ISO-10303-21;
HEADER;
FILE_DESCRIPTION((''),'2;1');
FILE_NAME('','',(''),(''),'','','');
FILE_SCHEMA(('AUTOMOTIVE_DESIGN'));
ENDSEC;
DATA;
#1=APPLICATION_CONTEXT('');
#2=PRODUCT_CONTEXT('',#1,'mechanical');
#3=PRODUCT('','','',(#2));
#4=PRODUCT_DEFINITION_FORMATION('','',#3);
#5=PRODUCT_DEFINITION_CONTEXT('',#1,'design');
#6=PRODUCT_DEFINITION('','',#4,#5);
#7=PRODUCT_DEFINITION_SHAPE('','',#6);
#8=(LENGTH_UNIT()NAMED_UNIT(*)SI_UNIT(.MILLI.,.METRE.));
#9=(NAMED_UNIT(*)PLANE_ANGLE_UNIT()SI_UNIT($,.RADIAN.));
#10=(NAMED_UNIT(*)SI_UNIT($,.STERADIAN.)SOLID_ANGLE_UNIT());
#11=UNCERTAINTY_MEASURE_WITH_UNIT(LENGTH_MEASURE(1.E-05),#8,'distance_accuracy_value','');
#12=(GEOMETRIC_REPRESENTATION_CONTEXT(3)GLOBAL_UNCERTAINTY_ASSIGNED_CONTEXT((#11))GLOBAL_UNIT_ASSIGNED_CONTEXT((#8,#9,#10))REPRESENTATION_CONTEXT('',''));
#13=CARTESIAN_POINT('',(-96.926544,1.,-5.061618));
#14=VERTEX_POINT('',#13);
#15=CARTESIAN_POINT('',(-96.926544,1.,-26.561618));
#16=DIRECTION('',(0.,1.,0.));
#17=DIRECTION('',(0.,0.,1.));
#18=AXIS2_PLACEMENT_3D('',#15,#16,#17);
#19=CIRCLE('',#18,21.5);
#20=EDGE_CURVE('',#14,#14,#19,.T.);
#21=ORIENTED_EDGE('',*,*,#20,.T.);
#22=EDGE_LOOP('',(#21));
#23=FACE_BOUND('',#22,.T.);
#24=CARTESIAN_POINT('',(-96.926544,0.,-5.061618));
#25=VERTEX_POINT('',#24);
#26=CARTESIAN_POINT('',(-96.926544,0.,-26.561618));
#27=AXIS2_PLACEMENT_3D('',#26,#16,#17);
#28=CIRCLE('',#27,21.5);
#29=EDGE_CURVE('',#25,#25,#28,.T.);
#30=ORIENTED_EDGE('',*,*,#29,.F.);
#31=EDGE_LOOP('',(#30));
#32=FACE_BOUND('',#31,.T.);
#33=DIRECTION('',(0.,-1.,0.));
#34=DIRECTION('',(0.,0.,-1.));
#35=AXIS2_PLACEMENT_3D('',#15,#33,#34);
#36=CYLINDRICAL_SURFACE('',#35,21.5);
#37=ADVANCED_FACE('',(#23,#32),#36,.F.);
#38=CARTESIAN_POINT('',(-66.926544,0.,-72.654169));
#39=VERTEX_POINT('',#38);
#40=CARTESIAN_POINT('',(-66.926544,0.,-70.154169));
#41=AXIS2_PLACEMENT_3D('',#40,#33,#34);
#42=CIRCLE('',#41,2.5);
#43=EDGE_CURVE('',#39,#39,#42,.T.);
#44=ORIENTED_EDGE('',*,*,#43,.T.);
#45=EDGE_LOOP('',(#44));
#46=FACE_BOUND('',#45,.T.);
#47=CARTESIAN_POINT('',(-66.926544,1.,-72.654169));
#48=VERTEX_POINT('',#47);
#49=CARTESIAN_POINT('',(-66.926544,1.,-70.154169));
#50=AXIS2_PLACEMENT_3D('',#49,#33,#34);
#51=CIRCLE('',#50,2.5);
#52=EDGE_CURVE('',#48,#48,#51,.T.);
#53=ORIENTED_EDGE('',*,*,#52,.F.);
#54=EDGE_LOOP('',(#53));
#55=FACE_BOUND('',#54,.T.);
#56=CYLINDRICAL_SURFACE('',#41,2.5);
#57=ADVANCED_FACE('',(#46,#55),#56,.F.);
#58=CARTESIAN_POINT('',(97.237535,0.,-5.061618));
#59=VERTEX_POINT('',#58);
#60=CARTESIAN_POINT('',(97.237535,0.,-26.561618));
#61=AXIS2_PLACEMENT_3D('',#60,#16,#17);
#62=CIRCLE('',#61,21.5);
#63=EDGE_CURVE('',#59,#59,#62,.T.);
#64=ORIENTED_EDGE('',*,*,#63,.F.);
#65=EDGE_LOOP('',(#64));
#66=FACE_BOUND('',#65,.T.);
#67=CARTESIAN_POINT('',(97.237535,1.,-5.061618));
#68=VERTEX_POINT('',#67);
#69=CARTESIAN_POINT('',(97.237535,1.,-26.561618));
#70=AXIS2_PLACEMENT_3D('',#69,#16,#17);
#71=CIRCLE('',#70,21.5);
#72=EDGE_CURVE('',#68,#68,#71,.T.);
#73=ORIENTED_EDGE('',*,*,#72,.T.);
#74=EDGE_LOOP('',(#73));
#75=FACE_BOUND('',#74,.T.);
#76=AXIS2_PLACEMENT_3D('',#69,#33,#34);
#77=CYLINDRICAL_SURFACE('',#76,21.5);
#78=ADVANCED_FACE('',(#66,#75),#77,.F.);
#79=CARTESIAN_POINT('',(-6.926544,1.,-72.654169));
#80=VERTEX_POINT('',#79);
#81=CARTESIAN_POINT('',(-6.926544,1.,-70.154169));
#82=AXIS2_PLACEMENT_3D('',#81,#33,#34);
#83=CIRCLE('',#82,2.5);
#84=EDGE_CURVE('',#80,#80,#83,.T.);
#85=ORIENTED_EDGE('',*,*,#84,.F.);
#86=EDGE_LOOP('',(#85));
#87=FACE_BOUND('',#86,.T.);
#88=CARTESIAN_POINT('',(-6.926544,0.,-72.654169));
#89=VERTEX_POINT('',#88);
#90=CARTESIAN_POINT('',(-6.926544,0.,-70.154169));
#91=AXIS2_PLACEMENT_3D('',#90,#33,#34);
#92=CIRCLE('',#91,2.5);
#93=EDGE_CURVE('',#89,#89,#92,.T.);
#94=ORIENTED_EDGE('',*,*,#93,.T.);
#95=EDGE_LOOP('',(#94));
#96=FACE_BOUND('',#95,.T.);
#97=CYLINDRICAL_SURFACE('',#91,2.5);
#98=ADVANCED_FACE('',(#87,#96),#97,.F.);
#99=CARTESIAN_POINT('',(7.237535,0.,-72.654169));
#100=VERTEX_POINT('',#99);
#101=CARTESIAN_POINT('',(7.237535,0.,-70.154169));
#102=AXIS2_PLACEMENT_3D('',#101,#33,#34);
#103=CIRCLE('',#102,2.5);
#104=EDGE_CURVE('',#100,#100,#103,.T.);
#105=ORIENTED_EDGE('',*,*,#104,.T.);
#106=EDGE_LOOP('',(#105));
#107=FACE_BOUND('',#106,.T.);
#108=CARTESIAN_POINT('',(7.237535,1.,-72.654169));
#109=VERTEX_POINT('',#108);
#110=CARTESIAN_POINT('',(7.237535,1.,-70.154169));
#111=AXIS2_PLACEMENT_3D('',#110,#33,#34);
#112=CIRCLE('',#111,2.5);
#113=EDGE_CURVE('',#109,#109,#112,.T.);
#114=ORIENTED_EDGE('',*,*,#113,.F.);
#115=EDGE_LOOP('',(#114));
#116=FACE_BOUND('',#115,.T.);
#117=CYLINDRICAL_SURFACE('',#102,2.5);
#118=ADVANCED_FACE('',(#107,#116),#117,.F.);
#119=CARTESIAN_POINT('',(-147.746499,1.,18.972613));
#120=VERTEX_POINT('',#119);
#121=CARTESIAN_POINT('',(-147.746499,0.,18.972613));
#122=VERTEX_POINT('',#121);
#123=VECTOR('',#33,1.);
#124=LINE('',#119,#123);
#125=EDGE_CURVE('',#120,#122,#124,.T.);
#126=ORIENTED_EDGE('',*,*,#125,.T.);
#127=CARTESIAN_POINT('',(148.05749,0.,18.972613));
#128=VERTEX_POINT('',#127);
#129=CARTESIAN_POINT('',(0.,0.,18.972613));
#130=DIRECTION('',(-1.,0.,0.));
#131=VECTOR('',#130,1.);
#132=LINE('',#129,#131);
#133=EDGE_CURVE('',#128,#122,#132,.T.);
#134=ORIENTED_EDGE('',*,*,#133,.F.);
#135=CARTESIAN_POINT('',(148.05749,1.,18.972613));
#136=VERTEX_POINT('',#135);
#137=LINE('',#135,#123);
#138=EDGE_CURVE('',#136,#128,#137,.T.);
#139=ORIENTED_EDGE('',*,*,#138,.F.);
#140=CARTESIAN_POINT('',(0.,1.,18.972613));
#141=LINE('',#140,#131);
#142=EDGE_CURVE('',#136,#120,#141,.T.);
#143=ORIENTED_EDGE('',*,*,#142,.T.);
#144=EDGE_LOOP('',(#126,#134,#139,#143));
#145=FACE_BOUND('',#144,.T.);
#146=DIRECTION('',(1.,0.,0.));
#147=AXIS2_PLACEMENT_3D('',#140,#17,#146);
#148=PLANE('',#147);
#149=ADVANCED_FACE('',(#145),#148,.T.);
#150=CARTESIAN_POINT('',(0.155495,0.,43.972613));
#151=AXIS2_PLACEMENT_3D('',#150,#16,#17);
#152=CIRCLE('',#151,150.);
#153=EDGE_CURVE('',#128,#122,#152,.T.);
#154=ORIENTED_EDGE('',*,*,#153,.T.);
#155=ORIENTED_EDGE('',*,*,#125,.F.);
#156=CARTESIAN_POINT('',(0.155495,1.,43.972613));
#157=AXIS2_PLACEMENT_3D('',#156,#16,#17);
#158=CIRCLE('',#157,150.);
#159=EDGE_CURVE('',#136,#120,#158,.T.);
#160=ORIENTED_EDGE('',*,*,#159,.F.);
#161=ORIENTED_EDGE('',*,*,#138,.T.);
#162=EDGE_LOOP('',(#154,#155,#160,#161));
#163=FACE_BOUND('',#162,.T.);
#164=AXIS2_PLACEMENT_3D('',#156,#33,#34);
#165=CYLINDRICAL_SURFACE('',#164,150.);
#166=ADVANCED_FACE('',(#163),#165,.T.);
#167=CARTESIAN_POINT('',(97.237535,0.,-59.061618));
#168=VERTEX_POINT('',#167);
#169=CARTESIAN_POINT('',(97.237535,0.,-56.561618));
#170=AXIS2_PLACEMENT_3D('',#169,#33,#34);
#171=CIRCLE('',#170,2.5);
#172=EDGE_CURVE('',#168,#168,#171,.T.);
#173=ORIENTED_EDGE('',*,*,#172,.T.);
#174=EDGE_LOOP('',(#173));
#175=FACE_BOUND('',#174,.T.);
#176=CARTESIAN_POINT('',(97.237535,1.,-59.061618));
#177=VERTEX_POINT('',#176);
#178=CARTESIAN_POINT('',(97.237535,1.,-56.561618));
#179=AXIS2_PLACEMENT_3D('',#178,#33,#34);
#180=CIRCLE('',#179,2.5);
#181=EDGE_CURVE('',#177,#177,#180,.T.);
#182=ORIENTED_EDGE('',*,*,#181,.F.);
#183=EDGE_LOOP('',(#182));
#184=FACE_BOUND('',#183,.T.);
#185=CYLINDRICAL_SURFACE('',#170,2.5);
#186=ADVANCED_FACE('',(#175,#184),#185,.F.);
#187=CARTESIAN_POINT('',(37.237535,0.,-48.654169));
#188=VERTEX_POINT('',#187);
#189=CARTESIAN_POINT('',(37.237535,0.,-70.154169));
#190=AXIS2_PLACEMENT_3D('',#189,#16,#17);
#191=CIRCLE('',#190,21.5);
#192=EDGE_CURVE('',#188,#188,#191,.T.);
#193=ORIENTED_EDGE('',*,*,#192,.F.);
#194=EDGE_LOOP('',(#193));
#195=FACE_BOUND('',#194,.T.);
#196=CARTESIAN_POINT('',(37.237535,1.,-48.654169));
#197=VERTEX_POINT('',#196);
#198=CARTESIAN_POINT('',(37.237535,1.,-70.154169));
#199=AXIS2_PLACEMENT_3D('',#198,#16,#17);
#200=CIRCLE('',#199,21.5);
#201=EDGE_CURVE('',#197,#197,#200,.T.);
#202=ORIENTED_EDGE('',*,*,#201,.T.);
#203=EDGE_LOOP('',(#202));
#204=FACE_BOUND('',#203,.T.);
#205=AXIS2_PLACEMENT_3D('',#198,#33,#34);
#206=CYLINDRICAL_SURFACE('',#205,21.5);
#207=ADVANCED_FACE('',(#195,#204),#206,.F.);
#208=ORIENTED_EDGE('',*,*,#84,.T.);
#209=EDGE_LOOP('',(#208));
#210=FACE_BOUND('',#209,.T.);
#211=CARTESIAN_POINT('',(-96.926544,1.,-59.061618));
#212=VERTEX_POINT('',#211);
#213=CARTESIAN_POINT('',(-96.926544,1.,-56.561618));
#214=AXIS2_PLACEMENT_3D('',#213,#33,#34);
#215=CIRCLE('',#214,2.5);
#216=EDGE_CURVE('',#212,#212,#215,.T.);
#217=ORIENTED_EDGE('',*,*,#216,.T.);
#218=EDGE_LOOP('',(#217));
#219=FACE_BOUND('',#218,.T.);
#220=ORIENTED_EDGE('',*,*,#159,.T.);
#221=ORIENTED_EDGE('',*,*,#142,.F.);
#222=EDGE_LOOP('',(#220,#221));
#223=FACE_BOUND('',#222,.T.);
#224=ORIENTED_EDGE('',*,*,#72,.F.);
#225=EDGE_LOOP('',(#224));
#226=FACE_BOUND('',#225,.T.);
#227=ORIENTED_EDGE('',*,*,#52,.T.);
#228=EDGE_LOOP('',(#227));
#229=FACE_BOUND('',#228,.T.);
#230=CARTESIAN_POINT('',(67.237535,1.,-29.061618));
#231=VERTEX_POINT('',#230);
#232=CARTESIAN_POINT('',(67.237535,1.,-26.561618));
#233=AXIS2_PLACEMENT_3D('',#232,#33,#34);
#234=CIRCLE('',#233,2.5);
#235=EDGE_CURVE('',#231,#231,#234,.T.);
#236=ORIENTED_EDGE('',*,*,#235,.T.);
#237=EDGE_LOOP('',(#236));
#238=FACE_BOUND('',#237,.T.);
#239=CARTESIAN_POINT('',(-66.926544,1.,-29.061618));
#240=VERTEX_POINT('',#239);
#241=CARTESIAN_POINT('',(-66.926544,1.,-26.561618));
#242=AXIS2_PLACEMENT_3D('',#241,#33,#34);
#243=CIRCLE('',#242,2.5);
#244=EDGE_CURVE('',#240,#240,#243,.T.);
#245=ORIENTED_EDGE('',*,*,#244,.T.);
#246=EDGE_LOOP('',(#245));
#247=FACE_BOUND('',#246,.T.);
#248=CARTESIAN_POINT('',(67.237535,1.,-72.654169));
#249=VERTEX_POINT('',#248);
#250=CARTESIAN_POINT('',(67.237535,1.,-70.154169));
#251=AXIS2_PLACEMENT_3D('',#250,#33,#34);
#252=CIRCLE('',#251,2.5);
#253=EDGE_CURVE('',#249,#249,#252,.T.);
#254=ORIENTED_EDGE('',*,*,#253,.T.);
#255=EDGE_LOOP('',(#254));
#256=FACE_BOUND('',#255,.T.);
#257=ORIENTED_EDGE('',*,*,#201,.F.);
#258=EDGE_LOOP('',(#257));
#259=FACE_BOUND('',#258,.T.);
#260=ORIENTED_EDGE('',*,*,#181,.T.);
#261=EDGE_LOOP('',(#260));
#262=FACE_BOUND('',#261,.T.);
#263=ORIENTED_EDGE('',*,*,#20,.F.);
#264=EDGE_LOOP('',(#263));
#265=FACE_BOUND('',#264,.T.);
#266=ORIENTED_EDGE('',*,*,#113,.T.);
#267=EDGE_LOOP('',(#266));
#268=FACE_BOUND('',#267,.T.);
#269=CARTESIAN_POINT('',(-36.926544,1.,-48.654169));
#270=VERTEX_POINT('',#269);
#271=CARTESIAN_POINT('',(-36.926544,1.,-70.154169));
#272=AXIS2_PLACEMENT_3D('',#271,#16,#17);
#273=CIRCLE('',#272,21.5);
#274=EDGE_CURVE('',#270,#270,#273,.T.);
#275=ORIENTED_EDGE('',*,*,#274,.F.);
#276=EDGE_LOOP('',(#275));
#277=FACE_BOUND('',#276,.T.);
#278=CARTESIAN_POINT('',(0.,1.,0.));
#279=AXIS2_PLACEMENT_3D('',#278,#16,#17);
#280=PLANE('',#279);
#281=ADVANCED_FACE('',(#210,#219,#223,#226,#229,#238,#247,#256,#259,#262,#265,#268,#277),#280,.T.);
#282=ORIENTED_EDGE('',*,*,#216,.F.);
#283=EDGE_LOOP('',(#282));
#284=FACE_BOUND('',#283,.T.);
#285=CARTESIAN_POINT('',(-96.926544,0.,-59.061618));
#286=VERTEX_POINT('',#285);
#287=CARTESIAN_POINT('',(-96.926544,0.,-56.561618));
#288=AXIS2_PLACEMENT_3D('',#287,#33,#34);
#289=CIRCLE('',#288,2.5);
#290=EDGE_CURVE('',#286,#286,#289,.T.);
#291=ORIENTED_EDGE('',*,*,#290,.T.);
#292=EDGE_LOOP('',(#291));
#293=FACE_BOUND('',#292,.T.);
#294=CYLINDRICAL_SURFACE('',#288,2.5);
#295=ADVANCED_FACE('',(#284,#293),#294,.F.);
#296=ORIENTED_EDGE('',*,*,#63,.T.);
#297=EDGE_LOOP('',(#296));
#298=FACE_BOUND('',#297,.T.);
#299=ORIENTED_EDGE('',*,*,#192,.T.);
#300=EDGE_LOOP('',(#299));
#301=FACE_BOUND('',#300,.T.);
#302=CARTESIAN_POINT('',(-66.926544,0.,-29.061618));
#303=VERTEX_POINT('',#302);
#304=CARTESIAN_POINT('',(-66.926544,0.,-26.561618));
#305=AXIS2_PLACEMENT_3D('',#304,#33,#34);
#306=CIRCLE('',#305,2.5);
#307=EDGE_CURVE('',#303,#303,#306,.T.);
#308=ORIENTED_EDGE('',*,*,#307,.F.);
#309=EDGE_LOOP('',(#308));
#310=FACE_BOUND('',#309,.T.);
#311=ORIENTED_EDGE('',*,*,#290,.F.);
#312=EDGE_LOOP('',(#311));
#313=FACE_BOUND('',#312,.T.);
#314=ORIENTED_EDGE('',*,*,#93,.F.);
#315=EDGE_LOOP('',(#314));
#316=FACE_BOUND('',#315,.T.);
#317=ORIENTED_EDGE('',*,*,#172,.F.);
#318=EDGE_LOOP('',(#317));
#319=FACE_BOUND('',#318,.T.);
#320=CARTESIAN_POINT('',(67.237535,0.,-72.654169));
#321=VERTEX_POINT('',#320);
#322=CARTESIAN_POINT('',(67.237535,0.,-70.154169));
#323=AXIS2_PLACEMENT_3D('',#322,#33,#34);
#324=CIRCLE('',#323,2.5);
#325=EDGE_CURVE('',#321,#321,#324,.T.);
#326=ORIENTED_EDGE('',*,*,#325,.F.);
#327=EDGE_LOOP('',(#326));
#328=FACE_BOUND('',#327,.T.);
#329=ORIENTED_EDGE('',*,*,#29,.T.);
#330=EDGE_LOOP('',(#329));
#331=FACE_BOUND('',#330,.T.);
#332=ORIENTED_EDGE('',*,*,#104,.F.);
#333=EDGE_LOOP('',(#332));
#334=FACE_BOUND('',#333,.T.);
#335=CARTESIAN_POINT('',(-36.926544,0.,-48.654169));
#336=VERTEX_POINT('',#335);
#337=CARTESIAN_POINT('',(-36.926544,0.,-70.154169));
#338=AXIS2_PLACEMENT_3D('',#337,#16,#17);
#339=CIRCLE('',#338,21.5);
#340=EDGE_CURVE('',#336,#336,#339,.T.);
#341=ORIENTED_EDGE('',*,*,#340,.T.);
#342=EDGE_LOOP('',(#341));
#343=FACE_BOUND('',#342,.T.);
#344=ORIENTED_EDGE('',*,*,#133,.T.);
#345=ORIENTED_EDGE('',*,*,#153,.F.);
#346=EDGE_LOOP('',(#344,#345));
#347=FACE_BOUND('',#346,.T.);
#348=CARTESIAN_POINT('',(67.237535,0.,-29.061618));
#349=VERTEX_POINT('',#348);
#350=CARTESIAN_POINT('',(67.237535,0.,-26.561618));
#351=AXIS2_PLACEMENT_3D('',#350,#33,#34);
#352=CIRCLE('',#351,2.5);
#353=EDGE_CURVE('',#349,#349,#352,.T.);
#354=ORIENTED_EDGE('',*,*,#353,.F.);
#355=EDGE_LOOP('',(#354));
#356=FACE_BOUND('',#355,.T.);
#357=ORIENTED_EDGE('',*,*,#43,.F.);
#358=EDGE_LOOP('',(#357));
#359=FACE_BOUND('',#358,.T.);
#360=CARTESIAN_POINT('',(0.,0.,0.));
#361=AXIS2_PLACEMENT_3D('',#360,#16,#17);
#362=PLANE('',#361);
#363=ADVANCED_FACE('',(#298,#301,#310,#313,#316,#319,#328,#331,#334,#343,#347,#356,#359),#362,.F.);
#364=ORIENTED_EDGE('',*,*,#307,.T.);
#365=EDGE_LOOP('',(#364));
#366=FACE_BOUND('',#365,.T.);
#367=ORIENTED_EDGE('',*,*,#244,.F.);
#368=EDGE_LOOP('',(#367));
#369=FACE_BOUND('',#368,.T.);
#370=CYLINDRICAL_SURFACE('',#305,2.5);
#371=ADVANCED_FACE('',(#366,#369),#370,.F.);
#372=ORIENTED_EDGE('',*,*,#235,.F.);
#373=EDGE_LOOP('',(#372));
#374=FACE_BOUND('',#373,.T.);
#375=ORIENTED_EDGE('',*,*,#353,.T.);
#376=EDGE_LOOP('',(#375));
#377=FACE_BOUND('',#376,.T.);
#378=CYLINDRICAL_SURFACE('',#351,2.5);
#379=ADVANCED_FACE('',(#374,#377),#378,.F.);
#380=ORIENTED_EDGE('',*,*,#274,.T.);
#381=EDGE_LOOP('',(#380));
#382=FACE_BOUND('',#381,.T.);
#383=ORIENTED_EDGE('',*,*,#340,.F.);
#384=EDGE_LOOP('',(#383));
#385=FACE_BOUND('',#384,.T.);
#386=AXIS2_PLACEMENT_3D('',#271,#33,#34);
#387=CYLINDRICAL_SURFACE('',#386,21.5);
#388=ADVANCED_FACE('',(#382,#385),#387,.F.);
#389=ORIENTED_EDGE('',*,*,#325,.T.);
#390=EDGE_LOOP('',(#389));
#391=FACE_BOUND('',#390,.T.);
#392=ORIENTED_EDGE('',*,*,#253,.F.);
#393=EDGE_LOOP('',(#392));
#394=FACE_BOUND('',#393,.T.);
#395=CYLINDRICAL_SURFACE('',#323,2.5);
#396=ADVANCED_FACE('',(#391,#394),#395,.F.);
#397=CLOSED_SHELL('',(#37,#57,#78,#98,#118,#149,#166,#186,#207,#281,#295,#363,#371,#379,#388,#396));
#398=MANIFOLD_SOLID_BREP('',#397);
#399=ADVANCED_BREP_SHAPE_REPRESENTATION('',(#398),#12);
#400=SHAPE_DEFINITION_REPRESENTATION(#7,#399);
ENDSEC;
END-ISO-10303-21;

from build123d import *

# Parameters (mm, degrees)
SKETCH3_R             = 21.5
BOSS_EXTRUDE3_DEPTH   = 1
F_5_0MM_DOWEL_HOLE1_D = 5


with BuildPart() as part:
    # Sketch3 → Boss-Extrude3 (new body)
    with BuildSketch(Plane(origin=(0, 0, 0), x_dir=(1, 0, 0), z_dir=(0, 1, 0))):
        with BuildLine():
            Line((-147.74649939, -18.972612677), (148.057489765, -18.972612677))
            ThreePointArc((148.057489765, -18.972612677), (0.155495187, 106.027387323), (-147.74649939, -18.972612677))
        make_face()
        with Locations(Location((-96.926544138, 26.561617598, 0), (0, 0, 270))):
            Circle(SKETCH3_R, mode=Mode.SUBTRACT)
        with Locations(Location((97.237534512, 26.561617598, 0), (0, 0, 270))):
            Circle(SKETCH3_R, mode=Mode.SUBTRACT)
        with Locations(Location((-36.926544138, 70.154169278, 0), (0, 0, 270))):
            Circle(SKETCH3_R, mode=Mode.SUBTRACT)
        with Locations(Location((37.237534512, 70.154169278, 0), (0, 0, 270))):
            Circle(SKETCH3_R, mode=Mode.SUBTRACT)
    extrude(amount=BOSS_EXTRUDE3_DEPTH)

    # Ø5.0mm Dowel Hole1 (through all)
    with Locations(Plane(origin=(0, 0, 0), x_dir=(-1, 0, 0), z_dir=(0, -1, 0))):
        with Locations((-97.237534512, 56.561617598), (-67.237534512, 26.561617598), (-67.237534512, 70.154169278), (-7.237534512, 70.154169278), (6.926544138, 70.154169278), (66.926544138, 70.154169278), (96.926544138, 56.561617598), (66.926544138, 26.561617598)):
            Hole(F_5_0MM_DOWEL_HOLE1_D / 2)


solid = part.part
